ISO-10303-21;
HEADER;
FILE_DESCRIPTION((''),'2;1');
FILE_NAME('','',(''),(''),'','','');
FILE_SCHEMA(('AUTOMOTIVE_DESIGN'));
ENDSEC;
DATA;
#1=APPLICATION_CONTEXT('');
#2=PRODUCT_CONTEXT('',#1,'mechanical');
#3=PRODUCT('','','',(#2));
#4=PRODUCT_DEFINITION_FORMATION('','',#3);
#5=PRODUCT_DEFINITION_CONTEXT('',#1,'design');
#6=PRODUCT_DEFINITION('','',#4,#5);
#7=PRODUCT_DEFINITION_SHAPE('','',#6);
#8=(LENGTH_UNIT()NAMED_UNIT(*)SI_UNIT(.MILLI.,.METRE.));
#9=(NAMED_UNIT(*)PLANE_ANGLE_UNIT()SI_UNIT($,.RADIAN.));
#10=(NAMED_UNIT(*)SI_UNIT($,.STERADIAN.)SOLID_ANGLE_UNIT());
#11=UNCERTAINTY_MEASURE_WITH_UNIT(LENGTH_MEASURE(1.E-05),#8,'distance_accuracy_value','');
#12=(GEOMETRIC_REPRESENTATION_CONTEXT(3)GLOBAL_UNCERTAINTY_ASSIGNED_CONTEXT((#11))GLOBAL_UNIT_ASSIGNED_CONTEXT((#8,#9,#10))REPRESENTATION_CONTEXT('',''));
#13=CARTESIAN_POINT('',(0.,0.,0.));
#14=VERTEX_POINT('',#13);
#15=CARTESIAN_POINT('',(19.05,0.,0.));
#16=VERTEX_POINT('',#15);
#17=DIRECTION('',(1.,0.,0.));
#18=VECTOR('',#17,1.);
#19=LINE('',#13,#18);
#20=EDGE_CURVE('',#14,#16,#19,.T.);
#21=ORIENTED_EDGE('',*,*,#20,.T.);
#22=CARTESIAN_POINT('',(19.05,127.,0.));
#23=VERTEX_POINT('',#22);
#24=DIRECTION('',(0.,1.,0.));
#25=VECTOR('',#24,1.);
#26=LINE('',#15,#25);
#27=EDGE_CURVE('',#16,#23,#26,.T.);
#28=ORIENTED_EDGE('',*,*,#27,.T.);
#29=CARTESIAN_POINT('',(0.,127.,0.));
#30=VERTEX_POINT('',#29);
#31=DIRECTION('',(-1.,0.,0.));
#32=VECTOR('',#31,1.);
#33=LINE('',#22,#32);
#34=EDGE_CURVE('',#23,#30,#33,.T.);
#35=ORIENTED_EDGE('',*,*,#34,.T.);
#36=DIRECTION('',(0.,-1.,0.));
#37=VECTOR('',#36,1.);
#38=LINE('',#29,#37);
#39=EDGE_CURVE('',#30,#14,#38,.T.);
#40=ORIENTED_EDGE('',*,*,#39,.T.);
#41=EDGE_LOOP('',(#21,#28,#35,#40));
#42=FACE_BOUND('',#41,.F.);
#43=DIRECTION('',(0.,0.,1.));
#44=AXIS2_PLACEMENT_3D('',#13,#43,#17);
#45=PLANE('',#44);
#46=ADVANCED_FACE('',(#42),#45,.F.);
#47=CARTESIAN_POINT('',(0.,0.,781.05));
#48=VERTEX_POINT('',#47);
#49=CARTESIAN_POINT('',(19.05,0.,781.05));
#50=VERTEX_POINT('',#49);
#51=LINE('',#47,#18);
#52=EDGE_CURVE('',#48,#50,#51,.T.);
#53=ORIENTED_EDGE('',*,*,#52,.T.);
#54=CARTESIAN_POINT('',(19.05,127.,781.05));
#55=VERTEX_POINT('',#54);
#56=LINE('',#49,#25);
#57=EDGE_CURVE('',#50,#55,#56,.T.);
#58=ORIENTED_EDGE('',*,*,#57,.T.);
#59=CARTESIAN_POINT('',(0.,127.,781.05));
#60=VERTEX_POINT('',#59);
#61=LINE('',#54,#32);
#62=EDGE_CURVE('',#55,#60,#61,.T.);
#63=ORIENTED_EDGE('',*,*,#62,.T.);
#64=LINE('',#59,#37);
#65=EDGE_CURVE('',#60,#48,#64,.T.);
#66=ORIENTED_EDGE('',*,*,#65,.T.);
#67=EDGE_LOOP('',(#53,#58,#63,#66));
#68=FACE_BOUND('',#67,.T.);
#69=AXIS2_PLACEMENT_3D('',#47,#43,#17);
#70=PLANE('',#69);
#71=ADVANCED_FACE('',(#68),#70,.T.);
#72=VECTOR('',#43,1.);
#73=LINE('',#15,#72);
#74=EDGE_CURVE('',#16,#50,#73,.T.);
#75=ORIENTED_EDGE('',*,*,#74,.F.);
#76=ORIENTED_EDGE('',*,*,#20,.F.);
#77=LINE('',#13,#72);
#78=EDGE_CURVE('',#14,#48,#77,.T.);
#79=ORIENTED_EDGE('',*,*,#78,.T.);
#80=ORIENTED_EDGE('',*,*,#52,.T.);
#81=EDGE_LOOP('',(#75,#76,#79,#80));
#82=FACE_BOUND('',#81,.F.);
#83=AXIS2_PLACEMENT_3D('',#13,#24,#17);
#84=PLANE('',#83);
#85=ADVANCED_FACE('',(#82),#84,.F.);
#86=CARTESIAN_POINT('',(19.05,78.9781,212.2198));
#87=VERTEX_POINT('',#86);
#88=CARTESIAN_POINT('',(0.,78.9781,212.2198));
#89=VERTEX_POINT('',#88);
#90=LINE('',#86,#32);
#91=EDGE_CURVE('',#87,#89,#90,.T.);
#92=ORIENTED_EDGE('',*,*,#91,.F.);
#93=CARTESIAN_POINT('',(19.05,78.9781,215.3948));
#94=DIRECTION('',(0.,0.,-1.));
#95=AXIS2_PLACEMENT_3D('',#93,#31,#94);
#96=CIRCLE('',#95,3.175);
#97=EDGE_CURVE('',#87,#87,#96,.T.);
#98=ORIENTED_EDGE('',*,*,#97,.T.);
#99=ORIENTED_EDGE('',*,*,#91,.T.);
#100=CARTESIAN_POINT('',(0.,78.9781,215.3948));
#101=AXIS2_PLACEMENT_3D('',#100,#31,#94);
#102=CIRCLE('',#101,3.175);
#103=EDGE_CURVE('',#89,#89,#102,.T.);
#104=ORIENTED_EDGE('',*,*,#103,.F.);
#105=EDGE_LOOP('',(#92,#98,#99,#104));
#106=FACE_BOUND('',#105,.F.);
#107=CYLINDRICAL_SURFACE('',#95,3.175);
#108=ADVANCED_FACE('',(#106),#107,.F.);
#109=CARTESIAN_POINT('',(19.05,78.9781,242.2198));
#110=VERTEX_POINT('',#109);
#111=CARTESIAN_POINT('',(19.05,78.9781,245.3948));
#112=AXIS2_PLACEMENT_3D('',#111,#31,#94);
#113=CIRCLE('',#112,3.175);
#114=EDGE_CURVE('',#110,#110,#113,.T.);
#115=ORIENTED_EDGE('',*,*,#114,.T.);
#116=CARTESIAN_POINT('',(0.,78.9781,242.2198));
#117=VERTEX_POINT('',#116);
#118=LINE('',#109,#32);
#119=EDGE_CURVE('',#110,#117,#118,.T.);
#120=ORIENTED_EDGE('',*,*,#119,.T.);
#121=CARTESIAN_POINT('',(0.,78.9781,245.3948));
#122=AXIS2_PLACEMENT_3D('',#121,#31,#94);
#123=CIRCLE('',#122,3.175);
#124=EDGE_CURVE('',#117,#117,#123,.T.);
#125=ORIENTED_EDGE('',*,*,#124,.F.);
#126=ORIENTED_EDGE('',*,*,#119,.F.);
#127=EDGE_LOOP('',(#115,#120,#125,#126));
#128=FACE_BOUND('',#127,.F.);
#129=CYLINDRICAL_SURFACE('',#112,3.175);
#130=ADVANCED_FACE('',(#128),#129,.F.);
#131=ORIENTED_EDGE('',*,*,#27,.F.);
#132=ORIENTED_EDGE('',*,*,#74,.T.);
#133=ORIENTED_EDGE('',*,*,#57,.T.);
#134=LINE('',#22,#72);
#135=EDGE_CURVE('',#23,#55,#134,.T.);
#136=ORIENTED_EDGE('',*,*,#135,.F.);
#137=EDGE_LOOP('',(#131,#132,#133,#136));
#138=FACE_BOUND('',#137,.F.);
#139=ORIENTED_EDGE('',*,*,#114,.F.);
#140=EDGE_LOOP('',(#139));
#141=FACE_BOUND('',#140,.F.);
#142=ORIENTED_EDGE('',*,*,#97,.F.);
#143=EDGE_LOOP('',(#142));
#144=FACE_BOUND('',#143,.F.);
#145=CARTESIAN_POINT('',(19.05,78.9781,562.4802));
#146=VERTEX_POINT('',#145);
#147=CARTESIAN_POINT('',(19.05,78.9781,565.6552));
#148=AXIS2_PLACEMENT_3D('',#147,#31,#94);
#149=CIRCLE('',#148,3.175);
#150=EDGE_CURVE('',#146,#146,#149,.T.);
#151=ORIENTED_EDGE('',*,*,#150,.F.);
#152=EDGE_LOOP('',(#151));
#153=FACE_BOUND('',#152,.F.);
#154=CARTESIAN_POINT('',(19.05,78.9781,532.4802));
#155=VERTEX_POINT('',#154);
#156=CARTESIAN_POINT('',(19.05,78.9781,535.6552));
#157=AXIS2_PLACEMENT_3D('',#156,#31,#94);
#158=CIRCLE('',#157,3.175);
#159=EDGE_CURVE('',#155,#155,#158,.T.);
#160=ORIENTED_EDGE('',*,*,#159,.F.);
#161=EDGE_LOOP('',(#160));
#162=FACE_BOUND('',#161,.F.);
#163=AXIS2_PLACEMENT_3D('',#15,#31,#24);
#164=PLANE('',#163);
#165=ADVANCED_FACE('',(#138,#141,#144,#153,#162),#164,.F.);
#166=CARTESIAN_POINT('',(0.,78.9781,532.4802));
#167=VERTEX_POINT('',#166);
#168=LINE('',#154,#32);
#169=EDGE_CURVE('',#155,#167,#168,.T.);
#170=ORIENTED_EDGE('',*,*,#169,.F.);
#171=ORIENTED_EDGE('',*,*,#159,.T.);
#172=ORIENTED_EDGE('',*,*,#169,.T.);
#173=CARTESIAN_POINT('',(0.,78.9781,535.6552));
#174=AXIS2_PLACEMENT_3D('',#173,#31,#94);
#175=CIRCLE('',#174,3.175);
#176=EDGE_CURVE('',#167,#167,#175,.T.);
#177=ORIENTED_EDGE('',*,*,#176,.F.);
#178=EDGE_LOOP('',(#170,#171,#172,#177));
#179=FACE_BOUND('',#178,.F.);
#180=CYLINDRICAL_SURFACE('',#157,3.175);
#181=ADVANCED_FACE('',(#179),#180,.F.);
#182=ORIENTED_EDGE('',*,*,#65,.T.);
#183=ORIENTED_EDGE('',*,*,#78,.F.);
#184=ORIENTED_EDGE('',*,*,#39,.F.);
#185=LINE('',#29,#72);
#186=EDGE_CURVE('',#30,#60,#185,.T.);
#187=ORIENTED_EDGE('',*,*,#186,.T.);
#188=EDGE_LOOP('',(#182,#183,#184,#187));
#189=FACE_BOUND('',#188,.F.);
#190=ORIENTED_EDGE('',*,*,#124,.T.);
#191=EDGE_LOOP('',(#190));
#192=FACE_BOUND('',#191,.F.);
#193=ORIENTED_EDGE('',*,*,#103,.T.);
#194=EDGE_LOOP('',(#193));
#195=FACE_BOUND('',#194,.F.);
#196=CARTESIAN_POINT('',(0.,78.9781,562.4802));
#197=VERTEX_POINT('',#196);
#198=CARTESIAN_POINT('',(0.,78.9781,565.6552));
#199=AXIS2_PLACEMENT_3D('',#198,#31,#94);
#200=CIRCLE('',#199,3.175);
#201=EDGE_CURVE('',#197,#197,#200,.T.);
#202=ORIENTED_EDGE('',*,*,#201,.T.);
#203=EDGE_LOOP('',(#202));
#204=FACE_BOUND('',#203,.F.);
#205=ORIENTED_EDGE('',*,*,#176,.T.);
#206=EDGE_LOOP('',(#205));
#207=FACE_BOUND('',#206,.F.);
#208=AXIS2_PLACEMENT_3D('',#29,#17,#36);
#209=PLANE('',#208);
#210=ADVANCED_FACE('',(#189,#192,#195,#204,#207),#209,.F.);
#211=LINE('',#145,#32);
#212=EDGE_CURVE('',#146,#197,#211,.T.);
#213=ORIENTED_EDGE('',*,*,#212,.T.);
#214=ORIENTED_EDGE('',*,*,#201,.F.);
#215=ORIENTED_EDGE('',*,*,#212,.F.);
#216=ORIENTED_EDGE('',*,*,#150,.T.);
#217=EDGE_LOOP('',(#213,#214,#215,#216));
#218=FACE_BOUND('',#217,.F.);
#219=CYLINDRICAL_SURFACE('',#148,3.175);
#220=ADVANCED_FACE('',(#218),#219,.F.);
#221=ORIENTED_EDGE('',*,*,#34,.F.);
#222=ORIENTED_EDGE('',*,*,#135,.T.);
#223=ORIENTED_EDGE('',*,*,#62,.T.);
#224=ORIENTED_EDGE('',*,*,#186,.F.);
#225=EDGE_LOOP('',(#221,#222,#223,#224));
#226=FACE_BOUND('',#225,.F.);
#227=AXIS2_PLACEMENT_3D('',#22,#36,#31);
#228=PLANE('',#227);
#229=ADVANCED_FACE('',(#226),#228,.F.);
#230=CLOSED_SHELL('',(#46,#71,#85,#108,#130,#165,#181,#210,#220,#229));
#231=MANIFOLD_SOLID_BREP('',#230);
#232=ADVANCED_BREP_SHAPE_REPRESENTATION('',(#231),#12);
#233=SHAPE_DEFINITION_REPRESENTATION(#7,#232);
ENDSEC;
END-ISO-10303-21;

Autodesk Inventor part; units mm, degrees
ref_plane "YZ Plane" through (0, 0, 0) normal (1, 0, 0) x (0, 1, 0)
ref_plane "XZ Plane" through (0, 0, 0) normal (0, 1, 0) x (-1, 0, 0)
ref_plane "XY Plane" through (0, 0, 0) normal (0, 0, 1) x (1, 0, 0)
sketch "Sketch1" plane through (0, 0, 0) normal (0, 0, 1) x (1, 0, 0)
  line L0 (0, 0) -> (19.05, 0)
  line L1 (19.05, 0) -> (19.05, 127)
  line L2 (19.05, 127) -> (0, 127)
  line L3 (0, 127) -> (0, 0)
  dimension "d0" = 19.05
  dimension "d1" = 127
extrude "Extrusion1" add sketch "Sketch1" along normal blind 781.05
sketch "Sketch2" plane through (19.05, 0, 0) normal (1, 0, 0) x (0, 0, -1)
  line L0 (0, 0) -> (0, 127) projected
  line L1 (0, 127) -> (-781.05, 127) projected
  line L2 (-781.05, 0) -> (-781.05, 127) projected
  line L3 (0, 0) -> (-781.05, 0) projected
  line L4 (-781.05, 78.9781) -> (0, 78.9781) construction
  point P0 (-565.6552, 78.9781)
  point P1 (-535.6552, 78.9781)
  point P2 (-215.3948, 78.9781)
  point P3 (-245.3948, 78.9781)
  dimension "d4" = 48.0219
  dimension "d5" = 215.3948
  dimension "d6" = 30
  dimension "d7" = 30
  dimension "d8" = 215.3948
hole "Hole1" at (19.05, 78.9781, 565.6552) at (19.05, 78.9781, 535.6552) at (19.05, 78.9781, 215.3948) at (19.05, 78.9781, 245.3948) direction (-1, 0, 0) diameter 6.35 end through all
equation "\"d7\" = d6"
equation "\"d8\" = d5"
properties part number "Bumper Wood Side" material "Oak, White"
